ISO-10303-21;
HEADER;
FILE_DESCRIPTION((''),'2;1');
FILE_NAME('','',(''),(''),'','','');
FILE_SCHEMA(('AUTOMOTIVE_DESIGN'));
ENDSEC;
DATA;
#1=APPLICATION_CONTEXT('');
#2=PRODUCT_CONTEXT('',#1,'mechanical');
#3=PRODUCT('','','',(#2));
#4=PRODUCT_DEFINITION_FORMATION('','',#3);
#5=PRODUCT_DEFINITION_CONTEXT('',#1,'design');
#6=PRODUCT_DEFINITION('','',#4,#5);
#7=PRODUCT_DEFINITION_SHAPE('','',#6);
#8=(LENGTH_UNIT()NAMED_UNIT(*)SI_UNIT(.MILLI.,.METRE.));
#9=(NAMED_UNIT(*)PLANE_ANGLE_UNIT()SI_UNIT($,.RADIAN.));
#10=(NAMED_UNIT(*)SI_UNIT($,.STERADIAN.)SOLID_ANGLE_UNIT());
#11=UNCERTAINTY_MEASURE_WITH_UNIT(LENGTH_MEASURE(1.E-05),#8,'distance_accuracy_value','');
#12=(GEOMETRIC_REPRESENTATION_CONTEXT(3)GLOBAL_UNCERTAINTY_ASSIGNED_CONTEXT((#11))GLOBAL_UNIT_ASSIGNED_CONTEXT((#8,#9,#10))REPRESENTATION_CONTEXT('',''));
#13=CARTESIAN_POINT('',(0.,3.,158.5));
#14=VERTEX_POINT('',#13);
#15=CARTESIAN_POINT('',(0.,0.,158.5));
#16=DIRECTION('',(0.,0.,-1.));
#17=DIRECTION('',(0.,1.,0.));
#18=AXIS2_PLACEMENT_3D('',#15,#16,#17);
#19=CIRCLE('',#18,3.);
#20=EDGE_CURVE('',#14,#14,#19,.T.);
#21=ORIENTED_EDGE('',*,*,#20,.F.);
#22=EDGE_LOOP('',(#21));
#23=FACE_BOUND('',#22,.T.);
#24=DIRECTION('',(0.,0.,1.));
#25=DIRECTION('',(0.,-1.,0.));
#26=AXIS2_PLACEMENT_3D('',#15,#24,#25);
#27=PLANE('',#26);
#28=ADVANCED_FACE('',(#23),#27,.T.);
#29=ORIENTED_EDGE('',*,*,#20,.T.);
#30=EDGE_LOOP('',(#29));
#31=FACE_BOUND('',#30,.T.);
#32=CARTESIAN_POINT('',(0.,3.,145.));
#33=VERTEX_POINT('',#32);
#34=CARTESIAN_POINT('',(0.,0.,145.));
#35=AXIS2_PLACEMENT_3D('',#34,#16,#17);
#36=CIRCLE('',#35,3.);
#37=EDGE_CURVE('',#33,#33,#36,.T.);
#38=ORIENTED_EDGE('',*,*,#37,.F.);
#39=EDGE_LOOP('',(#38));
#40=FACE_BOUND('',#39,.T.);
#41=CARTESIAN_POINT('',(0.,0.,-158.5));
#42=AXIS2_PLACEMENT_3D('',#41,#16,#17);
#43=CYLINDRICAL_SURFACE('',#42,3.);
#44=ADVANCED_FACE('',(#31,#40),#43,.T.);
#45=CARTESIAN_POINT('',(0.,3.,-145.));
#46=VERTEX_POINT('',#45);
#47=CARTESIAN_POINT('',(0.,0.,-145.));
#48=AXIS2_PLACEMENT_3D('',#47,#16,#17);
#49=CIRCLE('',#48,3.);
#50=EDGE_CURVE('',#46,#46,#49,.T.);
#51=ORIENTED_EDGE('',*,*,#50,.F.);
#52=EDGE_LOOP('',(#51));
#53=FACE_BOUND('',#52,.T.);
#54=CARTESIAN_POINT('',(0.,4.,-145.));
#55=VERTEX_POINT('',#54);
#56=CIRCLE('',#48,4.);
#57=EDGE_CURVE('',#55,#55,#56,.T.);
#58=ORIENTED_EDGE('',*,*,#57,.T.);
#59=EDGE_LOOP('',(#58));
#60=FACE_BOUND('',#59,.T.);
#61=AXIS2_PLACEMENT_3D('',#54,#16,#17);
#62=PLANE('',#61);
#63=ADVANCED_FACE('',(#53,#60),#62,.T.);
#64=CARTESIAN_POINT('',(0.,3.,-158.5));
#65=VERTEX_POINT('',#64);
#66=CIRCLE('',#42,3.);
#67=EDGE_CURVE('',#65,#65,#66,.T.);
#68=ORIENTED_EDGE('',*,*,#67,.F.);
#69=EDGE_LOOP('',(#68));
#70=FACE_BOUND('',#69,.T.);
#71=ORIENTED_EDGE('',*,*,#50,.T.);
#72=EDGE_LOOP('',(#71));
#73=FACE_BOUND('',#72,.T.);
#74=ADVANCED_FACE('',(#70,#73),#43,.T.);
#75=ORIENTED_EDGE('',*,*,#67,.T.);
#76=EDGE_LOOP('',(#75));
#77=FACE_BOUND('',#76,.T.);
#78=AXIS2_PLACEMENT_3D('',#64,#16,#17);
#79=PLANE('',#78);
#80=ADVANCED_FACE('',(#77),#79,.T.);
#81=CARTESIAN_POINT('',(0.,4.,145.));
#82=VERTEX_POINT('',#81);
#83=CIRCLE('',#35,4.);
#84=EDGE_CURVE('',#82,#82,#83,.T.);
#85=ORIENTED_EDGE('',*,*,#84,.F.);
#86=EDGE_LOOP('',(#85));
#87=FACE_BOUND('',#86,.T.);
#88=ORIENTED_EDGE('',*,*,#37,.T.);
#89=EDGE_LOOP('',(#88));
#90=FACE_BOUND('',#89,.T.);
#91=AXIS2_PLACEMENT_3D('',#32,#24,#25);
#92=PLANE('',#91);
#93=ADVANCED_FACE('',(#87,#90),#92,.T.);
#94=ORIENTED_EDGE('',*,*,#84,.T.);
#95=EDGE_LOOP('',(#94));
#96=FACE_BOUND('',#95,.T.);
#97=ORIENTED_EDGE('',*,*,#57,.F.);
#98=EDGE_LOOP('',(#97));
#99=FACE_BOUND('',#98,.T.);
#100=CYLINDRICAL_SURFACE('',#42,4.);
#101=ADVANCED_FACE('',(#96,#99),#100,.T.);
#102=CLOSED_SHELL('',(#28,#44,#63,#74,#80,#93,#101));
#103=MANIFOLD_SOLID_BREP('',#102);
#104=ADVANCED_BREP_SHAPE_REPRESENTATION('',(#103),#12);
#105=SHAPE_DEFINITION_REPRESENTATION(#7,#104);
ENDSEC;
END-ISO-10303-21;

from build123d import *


with BuildPart() as part:
    # Sketch1 → Revolve1 (revolve)
    with BuildSketch(Plane(origin=(0, 0, 0), x_dir=(0, 0, -1), z_dir=(1, 0, 0))):
        Polygon((158.5, 0), (-158.5, 0), (-158.5, 3), (-145, 3), (-145, 4), (145, 4), (145, 3), (158.5, 3), align=None)
    revolve(axis=Axis((0, 0, -158.5), (0, 0, 1)))


solid = part.part
